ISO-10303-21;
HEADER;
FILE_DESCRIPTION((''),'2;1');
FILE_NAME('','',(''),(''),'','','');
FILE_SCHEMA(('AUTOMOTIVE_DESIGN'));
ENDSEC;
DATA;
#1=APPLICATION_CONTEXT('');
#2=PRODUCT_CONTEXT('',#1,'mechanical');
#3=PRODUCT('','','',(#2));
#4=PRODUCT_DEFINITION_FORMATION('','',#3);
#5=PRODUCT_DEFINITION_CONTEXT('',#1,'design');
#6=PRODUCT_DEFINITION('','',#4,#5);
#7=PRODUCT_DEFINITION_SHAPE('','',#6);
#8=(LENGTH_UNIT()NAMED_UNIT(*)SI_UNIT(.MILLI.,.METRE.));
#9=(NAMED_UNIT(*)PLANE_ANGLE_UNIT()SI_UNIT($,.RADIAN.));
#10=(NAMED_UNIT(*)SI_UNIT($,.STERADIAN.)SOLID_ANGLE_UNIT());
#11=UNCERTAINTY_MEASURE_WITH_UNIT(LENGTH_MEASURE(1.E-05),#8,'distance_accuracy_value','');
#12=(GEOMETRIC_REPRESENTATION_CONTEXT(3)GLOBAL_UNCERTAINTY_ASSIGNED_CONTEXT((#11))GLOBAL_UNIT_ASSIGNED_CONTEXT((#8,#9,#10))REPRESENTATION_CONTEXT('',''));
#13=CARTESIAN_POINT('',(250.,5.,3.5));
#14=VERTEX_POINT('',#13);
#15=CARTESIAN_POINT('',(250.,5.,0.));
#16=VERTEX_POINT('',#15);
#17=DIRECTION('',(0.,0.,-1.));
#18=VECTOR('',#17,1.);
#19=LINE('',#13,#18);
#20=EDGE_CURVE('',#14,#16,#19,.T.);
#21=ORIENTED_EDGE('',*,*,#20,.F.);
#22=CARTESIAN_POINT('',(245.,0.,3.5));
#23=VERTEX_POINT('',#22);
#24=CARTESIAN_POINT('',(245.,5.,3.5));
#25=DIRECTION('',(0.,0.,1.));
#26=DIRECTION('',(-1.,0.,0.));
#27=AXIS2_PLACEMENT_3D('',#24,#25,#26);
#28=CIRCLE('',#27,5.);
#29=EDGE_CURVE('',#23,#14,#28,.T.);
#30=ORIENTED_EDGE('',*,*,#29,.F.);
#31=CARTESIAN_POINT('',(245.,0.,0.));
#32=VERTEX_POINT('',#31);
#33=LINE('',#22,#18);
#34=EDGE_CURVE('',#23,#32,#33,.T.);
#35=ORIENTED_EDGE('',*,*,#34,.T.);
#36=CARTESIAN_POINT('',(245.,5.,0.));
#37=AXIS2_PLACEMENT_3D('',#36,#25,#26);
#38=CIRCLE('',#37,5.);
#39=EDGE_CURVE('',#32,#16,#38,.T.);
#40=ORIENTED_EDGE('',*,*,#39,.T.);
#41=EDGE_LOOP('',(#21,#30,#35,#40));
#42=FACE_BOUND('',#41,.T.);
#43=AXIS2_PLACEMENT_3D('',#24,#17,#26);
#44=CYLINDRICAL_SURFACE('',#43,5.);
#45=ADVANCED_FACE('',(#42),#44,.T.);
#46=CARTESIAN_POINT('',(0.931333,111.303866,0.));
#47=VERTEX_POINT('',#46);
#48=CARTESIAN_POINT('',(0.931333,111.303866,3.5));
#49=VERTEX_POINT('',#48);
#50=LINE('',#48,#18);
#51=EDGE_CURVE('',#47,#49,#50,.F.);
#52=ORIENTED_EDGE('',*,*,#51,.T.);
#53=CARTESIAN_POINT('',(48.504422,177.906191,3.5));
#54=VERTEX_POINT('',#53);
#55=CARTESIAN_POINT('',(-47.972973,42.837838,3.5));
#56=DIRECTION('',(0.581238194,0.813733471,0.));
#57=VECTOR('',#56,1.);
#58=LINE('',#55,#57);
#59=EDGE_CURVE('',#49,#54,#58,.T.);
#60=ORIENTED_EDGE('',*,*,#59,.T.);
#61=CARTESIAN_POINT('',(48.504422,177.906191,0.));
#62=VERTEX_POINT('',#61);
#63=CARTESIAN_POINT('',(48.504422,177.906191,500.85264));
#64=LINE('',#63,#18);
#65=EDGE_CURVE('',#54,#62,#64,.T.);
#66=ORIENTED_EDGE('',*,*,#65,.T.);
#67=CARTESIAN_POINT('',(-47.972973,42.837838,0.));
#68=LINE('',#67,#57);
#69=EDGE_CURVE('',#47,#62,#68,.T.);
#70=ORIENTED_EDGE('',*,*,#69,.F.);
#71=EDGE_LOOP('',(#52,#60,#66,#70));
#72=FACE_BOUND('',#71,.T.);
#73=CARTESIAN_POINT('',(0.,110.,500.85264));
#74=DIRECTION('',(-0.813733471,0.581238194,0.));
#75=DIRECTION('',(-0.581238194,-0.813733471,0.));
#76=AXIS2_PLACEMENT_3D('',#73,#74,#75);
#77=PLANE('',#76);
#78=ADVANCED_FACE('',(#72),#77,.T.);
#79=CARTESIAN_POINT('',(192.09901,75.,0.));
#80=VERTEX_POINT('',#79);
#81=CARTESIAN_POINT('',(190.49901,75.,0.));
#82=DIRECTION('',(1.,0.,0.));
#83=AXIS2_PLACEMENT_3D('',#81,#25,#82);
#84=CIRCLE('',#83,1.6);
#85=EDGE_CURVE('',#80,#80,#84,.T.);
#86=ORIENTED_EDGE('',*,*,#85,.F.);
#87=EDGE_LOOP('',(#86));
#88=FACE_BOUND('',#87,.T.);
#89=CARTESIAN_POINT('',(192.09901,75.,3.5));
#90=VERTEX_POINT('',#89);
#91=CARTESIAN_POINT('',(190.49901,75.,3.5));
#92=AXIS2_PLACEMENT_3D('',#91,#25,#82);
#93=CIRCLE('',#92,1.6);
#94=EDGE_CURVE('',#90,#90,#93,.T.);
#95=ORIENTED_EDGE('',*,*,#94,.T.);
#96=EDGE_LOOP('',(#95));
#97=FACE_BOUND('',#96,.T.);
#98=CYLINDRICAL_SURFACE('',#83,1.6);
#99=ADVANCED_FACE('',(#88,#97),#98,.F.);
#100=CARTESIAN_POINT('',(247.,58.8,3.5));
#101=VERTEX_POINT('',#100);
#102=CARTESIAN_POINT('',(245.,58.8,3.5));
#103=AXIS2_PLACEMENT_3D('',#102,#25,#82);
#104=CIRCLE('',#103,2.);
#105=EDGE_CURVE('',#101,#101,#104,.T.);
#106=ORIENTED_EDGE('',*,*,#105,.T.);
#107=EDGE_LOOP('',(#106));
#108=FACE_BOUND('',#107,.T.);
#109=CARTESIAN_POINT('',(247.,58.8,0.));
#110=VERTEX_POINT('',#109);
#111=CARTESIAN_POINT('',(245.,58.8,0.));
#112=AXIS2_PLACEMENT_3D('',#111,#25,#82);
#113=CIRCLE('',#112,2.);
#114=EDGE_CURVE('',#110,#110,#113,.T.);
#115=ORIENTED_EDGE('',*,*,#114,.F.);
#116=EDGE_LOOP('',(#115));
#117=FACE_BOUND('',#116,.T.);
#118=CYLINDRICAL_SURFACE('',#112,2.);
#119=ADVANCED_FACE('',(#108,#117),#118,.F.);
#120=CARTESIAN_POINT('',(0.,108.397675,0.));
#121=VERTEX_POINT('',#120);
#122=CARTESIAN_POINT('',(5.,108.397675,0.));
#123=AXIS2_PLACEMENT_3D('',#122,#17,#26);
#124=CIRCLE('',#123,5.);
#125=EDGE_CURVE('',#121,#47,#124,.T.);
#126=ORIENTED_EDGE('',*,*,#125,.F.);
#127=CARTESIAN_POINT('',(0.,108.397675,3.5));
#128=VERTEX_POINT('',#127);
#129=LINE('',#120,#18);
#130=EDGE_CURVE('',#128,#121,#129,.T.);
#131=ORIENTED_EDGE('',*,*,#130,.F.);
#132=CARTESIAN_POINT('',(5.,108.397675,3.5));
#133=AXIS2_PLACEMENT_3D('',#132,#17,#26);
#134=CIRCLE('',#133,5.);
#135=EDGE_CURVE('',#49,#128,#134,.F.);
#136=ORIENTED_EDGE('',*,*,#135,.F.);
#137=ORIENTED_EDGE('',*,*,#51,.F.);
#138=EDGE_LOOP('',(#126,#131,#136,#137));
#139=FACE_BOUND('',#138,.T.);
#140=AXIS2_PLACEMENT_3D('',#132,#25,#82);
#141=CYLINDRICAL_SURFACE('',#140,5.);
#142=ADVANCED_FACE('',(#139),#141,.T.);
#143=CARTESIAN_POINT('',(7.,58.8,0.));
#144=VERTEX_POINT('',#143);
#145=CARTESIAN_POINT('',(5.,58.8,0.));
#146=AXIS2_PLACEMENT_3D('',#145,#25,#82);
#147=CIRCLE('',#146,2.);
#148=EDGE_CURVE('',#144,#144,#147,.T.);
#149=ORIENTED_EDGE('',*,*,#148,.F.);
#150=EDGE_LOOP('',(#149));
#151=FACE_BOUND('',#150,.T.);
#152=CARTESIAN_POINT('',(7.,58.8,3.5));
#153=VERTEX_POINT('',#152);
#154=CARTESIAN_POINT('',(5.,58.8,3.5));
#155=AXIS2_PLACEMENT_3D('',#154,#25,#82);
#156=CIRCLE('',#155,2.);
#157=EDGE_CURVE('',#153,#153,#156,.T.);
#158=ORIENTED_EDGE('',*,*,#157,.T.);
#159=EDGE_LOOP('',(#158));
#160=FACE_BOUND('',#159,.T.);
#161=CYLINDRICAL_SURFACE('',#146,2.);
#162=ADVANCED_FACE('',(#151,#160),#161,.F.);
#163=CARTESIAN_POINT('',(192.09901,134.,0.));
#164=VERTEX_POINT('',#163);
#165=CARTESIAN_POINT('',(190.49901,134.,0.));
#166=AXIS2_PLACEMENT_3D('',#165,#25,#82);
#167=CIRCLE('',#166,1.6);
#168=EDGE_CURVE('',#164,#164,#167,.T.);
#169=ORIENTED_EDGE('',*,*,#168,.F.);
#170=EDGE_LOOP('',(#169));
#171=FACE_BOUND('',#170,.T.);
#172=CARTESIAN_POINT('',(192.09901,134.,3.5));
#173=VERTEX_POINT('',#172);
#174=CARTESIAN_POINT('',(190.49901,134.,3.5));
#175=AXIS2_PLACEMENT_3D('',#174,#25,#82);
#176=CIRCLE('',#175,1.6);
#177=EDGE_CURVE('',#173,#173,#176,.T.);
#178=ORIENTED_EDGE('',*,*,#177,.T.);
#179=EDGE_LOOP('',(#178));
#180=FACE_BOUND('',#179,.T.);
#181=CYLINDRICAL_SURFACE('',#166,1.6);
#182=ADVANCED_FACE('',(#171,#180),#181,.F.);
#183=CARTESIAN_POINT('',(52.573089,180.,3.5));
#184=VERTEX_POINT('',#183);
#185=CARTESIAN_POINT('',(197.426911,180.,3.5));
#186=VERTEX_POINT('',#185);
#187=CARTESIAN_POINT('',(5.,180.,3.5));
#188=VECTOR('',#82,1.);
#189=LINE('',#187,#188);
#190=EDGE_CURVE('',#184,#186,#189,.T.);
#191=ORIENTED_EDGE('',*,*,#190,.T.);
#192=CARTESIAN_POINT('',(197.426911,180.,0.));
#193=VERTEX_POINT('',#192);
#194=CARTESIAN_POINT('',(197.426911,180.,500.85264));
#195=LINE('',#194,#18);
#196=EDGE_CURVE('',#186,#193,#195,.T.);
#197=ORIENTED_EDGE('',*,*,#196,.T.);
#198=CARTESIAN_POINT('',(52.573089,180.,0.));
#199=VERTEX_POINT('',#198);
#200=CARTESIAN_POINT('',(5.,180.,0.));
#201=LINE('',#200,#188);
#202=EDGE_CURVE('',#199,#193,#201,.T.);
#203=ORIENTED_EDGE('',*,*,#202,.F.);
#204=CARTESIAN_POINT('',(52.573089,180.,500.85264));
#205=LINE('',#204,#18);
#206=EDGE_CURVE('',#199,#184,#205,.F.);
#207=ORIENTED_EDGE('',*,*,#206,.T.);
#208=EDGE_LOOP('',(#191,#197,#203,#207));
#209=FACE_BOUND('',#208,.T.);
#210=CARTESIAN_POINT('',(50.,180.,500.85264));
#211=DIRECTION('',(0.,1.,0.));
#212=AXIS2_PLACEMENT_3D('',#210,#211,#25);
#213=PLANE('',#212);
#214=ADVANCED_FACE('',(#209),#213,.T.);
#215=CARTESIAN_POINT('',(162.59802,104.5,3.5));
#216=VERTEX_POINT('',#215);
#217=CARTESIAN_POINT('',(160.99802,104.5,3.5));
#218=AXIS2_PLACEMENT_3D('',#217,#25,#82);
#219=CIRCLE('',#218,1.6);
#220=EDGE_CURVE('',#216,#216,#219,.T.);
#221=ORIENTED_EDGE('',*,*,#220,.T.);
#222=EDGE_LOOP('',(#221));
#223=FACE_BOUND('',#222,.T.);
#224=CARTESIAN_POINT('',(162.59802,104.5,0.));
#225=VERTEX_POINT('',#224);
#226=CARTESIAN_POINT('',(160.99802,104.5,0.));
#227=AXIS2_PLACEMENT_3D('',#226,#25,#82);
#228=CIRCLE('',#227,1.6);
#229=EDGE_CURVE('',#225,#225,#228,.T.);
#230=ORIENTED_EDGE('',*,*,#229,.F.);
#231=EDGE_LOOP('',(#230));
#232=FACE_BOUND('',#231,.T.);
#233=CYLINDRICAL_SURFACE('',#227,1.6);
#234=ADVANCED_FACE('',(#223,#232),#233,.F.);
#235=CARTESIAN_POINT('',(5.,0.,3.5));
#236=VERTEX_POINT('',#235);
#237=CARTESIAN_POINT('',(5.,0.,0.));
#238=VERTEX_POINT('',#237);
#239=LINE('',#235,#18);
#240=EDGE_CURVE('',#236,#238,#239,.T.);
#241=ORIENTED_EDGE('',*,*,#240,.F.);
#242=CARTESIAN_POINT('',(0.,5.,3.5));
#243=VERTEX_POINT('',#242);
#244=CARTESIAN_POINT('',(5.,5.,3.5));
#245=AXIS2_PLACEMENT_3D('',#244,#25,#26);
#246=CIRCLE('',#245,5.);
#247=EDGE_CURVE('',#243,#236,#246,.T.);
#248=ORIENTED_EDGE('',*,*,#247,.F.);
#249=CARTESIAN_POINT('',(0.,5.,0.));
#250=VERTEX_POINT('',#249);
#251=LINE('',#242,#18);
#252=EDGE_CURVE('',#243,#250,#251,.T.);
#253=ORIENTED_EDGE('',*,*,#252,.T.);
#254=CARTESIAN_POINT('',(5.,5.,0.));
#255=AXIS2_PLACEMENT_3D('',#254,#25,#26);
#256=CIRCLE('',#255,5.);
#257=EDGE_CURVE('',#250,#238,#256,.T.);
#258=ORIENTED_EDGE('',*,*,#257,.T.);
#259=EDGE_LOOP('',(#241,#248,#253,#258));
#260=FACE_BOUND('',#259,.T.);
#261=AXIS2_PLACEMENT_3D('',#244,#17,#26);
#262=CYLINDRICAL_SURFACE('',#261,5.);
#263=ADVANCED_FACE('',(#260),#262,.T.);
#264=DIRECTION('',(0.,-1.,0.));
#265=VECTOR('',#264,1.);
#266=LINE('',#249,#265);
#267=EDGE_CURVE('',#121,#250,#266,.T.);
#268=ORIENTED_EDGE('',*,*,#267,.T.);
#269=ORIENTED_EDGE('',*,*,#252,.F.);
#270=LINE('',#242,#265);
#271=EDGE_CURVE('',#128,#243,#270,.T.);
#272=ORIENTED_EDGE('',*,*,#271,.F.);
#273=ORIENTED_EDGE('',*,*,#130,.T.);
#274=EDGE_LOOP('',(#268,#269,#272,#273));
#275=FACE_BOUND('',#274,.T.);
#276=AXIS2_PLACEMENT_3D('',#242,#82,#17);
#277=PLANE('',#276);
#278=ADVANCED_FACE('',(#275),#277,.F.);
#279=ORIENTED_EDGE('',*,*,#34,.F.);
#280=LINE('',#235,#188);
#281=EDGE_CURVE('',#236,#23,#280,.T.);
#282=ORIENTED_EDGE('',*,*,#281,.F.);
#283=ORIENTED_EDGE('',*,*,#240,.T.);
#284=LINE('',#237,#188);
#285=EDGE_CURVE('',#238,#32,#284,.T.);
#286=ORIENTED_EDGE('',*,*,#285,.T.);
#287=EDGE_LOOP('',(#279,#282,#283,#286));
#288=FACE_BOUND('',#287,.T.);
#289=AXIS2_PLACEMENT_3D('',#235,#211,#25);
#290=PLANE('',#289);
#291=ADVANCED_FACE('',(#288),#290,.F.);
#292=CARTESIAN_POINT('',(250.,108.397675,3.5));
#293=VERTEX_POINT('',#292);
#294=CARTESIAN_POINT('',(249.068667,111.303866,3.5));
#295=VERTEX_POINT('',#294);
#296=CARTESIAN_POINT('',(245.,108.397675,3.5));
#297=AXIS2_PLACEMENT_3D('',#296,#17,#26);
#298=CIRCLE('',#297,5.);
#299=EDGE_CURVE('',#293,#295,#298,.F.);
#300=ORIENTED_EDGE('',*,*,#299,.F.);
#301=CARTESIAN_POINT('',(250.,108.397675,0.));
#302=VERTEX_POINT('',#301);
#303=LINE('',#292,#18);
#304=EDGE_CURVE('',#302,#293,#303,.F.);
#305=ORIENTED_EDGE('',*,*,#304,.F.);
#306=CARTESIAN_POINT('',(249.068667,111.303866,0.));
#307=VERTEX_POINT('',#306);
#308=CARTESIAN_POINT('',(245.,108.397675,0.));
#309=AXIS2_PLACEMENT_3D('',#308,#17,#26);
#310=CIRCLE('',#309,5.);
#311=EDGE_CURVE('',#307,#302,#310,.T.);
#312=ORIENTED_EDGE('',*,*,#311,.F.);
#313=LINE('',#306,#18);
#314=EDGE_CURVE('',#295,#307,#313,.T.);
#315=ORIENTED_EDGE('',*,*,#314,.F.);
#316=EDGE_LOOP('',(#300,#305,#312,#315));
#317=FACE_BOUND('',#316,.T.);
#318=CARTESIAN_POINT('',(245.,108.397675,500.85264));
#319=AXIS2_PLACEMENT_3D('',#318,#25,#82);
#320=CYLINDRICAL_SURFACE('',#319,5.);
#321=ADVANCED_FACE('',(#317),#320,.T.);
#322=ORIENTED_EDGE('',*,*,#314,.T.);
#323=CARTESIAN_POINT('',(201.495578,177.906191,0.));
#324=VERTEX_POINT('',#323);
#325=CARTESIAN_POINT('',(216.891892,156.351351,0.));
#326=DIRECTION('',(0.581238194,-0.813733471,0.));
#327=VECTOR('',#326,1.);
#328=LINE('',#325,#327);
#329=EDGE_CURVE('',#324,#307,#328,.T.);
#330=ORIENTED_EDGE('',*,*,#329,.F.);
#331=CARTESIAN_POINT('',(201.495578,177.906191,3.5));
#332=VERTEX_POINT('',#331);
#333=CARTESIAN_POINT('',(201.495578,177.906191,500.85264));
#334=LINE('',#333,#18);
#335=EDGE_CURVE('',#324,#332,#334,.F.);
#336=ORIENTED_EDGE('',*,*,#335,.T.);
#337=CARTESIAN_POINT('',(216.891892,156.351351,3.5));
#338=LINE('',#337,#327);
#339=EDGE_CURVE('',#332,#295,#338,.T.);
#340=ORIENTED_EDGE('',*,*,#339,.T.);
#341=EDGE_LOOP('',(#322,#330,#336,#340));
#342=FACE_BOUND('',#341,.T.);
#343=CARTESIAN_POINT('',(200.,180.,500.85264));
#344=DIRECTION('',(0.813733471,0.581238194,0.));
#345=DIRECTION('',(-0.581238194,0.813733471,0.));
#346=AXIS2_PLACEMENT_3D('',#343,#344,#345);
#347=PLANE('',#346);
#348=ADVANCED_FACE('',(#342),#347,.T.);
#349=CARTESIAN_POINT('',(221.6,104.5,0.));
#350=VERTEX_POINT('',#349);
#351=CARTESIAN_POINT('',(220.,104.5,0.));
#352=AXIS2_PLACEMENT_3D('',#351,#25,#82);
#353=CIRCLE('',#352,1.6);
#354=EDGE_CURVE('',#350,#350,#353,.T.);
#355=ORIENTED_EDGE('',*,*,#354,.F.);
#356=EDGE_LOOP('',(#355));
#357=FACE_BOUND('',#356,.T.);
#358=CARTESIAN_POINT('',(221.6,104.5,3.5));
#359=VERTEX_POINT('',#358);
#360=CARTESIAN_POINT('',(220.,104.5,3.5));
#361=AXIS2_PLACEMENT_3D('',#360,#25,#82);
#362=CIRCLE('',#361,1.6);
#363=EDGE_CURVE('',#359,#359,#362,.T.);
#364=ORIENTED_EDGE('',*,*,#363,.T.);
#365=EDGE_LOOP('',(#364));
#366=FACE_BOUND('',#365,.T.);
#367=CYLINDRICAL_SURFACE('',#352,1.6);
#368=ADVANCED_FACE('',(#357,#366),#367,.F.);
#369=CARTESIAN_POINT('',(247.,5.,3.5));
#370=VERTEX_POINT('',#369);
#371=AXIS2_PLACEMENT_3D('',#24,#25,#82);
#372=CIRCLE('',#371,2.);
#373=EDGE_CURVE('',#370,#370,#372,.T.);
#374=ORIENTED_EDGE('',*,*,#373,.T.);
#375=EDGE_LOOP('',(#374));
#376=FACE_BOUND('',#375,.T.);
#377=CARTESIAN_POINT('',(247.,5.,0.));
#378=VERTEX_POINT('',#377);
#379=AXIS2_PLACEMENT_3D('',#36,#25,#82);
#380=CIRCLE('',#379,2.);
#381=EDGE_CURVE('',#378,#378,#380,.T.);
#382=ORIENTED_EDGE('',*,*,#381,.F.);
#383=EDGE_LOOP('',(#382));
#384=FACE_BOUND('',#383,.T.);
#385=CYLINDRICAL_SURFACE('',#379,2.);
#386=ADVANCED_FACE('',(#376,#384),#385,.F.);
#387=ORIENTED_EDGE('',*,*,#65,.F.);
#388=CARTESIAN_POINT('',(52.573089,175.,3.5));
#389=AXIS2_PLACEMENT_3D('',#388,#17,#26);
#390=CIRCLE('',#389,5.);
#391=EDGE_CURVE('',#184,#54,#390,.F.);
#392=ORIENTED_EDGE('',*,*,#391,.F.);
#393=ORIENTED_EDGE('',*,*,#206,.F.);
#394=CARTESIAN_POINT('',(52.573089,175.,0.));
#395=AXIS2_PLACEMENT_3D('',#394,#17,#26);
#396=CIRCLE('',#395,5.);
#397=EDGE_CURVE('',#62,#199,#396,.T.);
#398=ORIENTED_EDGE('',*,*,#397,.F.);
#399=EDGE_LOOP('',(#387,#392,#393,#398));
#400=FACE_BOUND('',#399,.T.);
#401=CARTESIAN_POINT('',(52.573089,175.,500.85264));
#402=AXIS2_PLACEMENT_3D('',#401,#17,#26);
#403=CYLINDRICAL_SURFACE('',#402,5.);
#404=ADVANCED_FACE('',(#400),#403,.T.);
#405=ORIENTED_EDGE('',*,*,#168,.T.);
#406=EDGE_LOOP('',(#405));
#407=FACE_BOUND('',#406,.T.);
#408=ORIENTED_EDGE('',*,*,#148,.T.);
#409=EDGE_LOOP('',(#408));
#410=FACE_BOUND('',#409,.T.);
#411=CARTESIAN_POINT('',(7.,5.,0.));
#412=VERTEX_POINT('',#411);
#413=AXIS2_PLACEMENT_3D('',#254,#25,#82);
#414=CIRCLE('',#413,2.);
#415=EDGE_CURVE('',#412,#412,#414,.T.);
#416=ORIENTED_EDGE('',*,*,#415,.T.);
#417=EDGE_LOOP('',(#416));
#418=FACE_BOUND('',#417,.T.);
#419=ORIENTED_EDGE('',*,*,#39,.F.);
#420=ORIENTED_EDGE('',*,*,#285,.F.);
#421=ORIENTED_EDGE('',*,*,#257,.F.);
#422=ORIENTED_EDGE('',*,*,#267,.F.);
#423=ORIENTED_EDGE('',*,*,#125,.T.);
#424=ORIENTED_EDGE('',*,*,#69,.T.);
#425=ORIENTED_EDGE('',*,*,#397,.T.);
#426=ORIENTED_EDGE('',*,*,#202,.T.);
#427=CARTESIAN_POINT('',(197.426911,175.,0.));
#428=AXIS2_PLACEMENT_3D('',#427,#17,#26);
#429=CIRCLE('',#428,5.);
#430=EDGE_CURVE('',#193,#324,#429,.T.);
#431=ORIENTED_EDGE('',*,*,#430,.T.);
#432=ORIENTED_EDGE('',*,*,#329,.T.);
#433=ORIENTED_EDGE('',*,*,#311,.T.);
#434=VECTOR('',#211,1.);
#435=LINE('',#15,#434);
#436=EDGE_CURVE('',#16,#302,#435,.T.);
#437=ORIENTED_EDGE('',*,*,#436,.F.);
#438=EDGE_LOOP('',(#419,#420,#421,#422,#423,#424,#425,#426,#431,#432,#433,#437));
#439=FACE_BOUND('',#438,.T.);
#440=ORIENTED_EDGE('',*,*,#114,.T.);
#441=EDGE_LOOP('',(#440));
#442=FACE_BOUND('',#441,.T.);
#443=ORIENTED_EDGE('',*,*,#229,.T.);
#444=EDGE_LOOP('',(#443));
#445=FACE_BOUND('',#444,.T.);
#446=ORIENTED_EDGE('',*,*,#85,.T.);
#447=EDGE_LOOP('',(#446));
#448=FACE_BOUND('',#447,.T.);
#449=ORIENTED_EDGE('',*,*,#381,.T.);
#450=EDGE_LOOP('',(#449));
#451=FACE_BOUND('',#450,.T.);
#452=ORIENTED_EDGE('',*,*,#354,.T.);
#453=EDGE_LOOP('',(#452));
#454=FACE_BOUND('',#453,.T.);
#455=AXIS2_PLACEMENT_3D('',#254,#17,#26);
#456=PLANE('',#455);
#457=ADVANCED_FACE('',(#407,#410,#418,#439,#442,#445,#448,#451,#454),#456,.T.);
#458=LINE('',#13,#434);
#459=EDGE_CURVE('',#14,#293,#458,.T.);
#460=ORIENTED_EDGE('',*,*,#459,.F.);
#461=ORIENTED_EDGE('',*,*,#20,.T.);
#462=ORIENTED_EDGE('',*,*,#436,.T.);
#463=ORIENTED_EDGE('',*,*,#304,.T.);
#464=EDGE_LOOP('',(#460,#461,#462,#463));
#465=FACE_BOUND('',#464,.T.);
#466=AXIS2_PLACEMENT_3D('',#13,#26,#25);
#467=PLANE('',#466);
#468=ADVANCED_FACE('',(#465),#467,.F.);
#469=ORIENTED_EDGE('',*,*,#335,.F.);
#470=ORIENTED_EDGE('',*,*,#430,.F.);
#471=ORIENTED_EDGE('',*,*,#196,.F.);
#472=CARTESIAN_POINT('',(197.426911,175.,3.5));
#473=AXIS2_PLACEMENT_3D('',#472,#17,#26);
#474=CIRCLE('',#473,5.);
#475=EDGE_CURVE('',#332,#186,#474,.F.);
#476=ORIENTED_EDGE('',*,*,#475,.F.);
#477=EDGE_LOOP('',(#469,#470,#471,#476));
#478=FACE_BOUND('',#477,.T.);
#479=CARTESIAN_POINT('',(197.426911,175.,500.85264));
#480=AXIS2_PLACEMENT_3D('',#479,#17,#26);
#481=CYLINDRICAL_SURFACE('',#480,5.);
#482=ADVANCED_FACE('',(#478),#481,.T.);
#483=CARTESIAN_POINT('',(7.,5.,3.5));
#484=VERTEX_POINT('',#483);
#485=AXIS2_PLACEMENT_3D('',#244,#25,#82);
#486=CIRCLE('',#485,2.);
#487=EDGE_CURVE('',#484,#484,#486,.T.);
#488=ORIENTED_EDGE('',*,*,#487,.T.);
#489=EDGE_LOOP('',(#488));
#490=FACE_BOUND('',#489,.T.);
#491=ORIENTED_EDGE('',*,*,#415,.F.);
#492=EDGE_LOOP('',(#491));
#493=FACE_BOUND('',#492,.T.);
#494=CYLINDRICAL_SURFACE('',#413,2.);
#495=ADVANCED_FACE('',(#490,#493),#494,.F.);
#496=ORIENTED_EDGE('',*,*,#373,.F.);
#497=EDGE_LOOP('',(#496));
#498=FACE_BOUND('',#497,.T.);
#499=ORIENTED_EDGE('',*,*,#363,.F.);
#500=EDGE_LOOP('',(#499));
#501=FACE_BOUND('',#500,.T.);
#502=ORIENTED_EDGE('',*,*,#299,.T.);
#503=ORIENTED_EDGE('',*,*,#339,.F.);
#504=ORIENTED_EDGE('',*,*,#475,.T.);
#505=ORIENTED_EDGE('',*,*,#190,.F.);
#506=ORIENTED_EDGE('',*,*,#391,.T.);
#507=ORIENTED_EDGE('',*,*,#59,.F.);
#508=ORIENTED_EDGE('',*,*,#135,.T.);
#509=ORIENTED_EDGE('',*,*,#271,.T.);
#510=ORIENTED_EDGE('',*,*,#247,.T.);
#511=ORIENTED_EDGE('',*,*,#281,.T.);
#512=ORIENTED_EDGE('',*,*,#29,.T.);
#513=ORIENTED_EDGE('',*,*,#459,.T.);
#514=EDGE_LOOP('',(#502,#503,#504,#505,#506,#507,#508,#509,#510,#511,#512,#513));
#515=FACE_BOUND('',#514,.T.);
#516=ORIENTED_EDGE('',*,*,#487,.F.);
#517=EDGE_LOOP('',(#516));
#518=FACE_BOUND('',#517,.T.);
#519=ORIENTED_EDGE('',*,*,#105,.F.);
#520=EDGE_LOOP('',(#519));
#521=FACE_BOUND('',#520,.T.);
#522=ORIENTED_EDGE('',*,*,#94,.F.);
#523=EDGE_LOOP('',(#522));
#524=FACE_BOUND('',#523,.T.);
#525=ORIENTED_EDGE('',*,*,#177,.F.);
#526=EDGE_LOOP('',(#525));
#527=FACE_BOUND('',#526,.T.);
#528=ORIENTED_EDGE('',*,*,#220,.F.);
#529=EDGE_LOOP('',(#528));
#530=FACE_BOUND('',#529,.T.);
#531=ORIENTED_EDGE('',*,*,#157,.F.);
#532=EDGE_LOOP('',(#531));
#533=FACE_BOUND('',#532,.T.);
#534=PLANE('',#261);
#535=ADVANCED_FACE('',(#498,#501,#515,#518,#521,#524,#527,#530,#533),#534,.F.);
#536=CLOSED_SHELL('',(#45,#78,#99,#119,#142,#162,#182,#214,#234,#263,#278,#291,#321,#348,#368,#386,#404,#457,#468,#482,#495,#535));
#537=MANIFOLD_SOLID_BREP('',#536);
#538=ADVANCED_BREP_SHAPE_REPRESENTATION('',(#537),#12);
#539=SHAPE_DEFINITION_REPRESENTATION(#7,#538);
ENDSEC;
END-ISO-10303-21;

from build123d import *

# Parameters (mm, degrees)
BOSS_EXTRU_1_DEPTH           = 3.5
ESQUISSE2_R                  = 2
ENL_V_MAT_EXTRU_1_DEPTH      = 395.382111663
ENL_V_MAT_EXTRU_2_DEPTH      = 395.382111663
ENL_V_MAT_EXTRU_2_DEPTH_BACK = 395.382111663
CONG_1_R                     = 5
ESQUISSE4_R                  = 1.6
ENL_V_MAT_EXTRU_4_DEPTH      = 309.078317965


with BuildPart() as part:
    # Esquisse1 → Boss.-Extru.1 (new body)
    with BuildSketch(Plane.XY):
        with BuildLine():
            Line((5, 0), (245, 0))
            ThreePointArc((245, 0), (248.535533906, 1.464466094), (250, 5))
            Line((250, 5), (250, 305))
            Line((250, 305), (0, 305))
            Line((0, 305), (0, 5))
            ThreePointArc((0, 5), (1.464466094, 1.464466094), (5, 0))
        make_face()
    extrude(amount=BOSS_EXTRU_1_DEPTH)

    # Esquisse2 → Enlèv. mat.-Extru.1 (cut, through all)
    with BuildSketch(Plane.XY.offset(3.5)):
        with Locations((5, 5)):
            Circle(ESQUISSE2_R)
        with Locations((245, 5)):
            Circle(ESQUISSE2_R)
        with Locations((5, 58.8)):
            Circle(ESQUISSE2_R)
        with Locations((245, 58.8)):
            Circle(ESQUISSE2_R)
    extrude(amount=-ENL_V_MAT_EXTRU_1_DEPTH, mode=Mode.SUBTRACT)

    # Esquisse3 → Enlèv. mat.-Extru.2 (cut, two sides: drawn at the far end of the back side and taken through both)
    with BuildSketch(Plane.XY.offset(3.5).offset(-ENL_V_MAT_EXTRU_2_DEPTH_BACK)):
        Polygon((-374.383398967, -414.136758554), (0, 110), (50, 180), (200, 180), (250, 110), (624.383398967, -414.136758554), (624.383398967, 874.090350445), (-374.383398967, 874.090350445), align=None)
    extrude(amount=ENL_V_MAT_EXTRU_2_DEPTH + ENL_V_MAT_EXTRU_2_DEPTH_BACK, mode=Mode.SUBTRACT)

    # Congé1
    cong_1_edges = [part.edges().sort_by_distance(p)[0] for p in [
        (50, 180, 1.75),
        (200, 180, 1.75),
        (250, 110, 1.75),
        (0, 110, 1.75),
    ]]
    fillet(cong_1_edges, radius=CONG_1_R)

    # Esquisse4 → Enlèv. mat.-Extru.4 (cut, through all)
    with BuildSketch(Plane.XY.offset(3.5)):
        with Locations((220, 104.5)):
            Circle(ESQUISSE4_R)
        with Locations((190.499010186, 134)):
            Circle(ESQUISSE4_R)
        with Locations((160.998020372, 104.5)):
            Circle(ESQUISSE4_R)
        with Locations((190.499010186, 75)):
            Circle(ESQUISSE4_R)
    extrude(amount=-ENL_V_MAT_EXTRU_4_DEPTH, mode=Mode.SUBTRACT)


solid = part.part
